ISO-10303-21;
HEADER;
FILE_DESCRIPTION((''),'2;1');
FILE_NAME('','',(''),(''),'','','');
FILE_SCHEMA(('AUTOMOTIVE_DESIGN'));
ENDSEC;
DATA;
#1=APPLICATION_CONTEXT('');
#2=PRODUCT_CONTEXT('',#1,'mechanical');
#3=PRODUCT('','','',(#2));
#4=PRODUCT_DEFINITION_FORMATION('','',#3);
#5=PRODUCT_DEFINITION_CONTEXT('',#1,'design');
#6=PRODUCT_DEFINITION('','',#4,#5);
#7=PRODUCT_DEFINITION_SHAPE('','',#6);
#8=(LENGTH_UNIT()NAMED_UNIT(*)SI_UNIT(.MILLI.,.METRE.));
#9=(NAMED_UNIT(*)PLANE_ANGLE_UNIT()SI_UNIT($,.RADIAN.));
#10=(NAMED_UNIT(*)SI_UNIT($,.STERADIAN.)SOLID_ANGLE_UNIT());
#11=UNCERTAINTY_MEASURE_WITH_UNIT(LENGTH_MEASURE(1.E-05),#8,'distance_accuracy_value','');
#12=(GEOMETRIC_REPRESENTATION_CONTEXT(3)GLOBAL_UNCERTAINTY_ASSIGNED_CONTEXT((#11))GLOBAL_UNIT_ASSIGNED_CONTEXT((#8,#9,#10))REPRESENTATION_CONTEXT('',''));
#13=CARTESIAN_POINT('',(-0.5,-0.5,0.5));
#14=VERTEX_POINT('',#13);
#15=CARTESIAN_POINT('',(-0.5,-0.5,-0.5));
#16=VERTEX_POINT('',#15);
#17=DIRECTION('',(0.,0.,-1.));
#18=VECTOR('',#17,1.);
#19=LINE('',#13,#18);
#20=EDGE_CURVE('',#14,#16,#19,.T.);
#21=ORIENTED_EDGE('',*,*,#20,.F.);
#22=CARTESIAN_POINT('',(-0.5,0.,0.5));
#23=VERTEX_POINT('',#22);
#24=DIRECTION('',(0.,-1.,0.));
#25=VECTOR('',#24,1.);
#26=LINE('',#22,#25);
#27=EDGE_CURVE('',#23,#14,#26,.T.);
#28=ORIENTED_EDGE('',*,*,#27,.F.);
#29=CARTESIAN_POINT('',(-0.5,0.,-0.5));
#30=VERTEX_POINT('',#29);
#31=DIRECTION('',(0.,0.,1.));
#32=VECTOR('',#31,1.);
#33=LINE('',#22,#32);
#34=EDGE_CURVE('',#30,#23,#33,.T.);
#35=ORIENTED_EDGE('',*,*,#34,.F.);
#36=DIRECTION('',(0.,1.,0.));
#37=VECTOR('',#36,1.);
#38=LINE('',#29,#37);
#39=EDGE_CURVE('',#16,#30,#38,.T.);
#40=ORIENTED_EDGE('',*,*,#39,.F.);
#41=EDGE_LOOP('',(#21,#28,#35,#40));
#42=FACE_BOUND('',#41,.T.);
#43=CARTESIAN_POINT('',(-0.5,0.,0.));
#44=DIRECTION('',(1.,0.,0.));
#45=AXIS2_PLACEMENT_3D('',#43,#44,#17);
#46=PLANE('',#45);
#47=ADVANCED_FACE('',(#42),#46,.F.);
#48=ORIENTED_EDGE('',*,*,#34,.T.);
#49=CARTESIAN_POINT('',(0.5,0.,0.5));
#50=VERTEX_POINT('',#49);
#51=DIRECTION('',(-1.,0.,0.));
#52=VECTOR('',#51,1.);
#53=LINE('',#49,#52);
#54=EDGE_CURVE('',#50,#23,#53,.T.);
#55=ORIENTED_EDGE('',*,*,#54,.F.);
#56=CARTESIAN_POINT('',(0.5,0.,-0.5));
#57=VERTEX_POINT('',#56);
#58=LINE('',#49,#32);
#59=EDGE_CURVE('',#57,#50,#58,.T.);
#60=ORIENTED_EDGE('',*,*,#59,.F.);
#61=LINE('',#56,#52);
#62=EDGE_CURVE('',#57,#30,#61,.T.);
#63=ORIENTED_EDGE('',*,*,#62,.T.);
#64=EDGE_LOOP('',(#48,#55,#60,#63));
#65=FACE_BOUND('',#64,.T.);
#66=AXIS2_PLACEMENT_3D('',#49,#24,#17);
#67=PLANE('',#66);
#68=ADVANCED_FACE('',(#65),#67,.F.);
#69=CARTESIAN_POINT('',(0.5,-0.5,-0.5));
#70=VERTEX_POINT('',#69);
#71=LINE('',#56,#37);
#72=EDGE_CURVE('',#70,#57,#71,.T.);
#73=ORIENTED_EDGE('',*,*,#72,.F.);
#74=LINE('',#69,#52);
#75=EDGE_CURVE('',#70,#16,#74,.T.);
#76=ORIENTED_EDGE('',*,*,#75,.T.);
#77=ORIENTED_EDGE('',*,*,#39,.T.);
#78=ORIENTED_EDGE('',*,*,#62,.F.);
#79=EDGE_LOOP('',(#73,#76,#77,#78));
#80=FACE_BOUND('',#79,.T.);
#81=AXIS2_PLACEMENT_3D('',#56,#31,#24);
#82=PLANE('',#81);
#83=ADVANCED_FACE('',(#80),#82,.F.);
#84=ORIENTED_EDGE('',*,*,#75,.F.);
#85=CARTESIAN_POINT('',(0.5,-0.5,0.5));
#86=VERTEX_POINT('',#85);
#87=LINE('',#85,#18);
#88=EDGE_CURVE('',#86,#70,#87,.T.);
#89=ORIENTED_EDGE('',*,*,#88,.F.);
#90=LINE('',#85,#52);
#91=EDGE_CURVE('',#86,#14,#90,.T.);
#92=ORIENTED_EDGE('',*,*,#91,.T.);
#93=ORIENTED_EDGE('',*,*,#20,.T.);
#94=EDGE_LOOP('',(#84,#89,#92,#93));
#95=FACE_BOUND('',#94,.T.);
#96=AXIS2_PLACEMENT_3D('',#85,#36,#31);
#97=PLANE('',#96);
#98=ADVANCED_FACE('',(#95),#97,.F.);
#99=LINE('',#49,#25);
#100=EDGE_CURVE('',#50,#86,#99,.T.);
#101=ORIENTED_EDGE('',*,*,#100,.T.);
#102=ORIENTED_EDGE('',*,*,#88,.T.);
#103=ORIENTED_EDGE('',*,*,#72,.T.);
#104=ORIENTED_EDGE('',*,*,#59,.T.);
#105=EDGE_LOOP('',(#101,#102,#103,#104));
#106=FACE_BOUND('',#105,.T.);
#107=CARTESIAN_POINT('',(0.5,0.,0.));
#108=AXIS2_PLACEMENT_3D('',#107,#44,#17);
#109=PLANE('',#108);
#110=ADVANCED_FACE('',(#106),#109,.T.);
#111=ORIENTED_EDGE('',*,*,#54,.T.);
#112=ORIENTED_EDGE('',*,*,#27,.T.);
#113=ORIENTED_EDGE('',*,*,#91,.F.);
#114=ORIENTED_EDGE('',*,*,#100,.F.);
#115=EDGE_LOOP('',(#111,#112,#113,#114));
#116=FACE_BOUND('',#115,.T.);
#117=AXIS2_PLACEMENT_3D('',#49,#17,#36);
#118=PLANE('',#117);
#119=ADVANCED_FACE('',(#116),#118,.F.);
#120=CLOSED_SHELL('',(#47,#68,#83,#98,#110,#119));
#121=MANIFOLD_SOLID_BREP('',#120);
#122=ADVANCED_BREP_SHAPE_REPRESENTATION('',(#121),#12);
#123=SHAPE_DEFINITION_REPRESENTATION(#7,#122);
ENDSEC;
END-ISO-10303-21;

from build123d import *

# Parameters (mm, degrees)
SKIZZE1_W                       = 1
SKIZZE1_H                       = 0.5
AUFSATZ_LINEAR_AUSTRAGEN1_DEPTH = 0.5


with BuildPart() as part:
    # Skizze1 → Aufsatz-Linear austragen1 (new body, symmetric)
    with BuildSketch(Plane(origin=(0, 0, 0), x_dir=(0, 0, -1), z_dir=(1, 0, 0))):
        with Locations((0, -0.25)):
            Rectangle(SKIZZE1_W, SKIZZE1_H)
    extrude(amount=AUFSATZ_LINEAR_AUSTRAGEN1_DEPTH, both=True)


solid = part.part
